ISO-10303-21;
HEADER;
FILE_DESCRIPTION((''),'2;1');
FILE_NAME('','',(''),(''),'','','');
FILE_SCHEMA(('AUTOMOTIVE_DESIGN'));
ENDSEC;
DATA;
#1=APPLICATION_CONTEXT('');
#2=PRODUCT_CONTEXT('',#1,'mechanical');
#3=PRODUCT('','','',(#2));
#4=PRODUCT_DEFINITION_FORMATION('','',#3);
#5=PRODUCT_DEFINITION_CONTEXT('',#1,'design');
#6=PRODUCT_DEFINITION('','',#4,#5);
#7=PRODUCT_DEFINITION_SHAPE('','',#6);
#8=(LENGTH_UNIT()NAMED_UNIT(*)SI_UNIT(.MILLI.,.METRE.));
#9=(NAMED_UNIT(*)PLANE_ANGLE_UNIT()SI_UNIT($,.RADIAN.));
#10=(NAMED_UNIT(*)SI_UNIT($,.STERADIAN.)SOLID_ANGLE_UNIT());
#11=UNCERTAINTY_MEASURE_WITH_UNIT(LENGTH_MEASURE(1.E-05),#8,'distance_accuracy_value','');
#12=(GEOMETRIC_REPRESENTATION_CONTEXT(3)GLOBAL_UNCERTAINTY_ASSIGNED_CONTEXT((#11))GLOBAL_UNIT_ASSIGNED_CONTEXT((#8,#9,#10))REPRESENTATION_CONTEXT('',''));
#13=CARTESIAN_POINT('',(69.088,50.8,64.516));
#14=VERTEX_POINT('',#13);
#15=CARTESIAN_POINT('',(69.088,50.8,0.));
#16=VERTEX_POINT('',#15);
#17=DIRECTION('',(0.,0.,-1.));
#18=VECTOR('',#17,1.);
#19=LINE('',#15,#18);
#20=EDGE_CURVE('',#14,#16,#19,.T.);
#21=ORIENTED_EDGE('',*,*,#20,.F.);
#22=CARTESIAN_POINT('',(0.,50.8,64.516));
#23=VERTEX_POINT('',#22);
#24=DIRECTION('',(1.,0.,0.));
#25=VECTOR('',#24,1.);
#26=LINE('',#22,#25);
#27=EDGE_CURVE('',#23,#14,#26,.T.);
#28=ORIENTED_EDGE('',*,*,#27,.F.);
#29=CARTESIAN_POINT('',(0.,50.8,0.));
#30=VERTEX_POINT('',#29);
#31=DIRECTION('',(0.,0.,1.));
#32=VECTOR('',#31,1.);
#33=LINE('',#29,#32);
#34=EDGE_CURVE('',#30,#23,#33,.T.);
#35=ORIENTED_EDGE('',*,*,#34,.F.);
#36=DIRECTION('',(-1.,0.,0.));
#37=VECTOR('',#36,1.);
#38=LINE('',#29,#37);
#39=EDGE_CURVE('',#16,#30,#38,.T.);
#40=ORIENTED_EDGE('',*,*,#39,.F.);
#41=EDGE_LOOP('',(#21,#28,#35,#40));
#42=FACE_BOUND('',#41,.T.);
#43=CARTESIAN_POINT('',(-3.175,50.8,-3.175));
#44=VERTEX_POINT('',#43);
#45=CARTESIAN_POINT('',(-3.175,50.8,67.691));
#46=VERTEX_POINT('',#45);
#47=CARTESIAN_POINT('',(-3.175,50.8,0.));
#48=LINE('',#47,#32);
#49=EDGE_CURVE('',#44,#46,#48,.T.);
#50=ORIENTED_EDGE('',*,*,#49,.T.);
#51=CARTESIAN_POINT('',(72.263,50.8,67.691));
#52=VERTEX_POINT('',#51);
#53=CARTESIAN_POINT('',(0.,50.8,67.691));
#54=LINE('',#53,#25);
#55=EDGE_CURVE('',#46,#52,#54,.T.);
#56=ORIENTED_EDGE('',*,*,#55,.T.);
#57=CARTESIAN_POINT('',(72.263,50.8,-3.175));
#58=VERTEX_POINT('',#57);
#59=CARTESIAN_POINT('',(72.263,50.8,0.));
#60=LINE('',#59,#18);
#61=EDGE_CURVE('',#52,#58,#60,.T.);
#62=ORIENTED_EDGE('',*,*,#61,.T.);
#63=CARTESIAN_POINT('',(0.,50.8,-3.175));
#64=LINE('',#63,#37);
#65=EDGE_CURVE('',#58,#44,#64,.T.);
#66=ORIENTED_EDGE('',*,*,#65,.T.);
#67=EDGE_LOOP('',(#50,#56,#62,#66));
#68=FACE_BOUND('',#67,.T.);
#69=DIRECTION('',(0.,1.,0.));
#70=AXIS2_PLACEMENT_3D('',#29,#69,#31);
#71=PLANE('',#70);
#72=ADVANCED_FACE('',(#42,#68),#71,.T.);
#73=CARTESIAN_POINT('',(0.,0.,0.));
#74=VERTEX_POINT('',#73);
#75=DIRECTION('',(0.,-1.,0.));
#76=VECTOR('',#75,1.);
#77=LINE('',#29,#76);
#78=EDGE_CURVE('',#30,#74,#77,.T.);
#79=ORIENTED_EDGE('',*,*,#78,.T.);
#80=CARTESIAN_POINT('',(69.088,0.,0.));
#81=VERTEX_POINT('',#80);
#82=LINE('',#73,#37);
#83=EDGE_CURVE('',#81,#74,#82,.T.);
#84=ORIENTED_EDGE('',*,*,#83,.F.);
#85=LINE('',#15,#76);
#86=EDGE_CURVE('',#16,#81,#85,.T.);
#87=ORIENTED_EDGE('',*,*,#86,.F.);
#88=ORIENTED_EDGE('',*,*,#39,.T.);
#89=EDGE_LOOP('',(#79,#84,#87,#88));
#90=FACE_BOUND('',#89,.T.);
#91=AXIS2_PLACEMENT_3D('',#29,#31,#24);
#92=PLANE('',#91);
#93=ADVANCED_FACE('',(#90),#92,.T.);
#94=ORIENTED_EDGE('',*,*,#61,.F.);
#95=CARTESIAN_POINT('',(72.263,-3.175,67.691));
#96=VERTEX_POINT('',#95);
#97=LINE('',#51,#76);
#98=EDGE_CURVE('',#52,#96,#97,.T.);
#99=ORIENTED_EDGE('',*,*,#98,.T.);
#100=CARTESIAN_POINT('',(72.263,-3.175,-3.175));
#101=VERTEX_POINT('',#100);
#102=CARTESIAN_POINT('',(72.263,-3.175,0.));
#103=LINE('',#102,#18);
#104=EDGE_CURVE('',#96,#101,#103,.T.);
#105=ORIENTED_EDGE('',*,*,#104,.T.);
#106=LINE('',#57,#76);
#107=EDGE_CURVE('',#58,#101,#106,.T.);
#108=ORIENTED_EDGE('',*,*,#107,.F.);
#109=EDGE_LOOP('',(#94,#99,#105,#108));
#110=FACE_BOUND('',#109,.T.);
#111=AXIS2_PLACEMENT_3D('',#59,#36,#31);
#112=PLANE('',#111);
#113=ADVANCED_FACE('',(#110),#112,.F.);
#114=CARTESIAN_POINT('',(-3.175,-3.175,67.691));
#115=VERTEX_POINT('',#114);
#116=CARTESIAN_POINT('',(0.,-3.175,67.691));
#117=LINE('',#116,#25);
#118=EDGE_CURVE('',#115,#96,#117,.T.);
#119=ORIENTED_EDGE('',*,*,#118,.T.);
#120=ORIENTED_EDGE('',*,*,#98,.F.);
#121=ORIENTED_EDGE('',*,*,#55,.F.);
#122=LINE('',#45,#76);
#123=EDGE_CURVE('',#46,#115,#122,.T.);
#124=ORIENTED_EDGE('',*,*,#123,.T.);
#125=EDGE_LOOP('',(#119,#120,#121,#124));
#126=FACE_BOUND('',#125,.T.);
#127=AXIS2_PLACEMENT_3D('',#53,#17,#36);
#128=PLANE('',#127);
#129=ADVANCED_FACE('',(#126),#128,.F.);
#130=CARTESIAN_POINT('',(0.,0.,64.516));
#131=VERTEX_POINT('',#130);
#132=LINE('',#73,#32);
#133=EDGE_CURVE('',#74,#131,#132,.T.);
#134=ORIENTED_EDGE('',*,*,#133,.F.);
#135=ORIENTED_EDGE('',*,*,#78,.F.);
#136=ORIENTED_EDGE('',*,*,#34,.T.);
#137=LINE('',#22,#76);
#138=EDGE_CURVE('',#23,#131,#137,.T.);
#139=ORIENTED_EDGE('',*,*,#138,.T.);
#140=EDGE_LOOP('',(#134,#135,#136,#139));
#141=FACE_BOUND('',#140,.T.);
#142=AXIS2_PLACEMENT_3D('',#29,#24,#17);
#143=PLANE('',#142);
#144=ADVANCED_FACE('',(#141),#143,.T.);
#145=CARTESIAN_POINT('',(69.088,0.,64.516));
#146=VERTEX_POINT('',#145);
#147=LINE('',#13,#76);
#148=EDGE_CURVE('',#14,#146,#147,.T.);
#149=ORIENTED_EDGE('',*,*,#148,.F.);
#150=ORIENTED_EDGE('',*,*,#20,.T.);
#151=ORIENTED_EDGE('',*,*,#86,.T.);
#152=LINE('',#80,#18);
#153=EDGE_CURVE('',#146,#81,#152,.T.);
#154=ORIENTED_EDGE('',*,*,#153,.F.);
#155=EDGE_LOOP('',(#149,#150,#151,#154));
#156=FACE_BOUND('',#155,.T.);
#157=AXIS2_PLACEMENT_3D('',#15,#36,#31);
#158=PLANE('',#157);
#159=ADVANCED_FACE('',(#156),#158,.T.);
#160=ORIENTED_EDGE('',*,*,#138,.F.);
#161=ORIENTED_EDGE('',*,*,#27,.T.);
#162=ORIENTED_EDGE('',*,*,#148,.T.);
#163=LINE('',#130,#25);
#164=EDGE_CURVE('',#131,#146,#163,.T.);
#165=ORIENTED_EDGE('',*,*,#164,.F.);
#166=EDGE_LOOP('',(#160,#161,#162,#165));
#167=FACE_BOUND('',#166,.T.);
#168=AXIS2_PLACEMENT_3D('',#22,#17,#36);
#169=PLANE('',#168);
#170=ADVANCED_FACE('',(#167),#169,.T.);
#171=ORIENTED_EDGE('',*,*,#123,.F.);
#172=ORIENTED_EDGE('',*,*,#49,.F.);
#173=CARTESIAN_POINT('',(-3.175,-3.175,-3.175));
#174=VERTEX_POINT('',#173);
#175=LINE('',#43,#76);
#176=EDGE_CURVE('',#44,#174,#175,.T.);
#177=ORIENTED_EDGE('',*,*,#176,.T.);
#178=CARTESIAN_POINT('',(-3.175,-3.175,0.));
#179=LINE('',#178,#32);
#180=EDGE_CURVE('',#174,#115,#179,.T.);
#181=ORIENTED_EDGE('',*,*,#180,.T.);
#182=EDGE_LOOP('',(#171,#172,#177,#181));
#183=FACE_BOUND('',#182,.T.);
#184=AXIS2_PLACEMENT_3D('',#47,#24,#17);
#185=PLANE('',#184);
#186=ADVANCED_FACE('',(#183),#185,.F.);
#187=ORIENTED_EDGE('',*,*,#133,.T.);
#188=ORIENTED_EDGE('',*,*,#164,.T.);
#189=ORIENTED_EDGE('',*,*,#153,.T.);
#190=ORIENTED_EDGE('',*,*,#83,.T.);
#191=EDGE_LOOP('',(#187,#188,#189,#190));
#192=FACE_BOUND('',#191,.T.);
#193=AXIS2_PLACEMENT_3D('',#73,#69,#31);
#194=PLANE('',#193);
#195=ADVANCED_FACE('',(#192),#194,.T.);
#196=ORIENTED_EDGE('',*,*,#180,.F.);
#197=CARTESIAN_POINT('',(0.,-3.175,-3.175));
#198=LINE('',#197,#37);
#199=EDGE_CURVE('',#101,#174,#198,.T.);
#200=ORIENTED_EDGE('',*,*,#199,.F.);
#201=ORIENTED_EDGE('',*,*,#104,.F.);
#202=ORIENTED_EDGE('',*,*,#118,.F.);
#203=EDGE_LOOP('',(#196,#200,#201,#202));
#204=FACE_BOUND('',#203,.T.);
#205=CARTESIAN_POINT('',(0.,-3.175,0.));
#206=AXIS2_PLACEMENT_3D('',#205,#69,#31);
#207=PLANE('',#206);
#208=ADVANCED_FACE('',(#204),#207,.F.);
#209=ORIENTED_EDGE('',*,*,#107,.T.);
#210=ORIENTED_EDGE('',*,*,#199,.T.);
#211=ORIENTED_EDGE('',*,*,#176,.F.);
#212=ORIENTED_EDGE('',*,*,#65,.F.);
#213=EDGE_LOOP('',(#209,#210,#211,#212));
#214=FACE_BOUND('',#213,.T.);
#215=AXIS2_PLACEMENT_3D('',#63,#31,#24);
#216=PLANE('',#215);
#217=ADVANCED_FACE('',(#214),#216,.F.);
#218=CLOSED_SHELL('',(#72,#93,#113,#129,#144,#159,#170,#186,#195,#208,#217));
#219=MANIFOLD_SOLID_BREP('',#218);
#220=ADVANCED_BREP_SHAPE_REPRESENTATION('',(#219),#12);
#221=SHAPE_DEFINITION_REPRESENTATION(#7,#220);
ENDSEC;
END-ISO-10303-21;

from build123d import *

# Parameters (mm, degrees)
SKETCH1_W           = 69.088
SKETCH1_H           = 64.516
BOSS_EXTRUDE1_DEPTH = 50.8
SHELL1_T            = 3.175


with BuildPart() as part:
    # Sketch1 → Boss-Extrude1 (new body)
    with BuildSketch(Plane(origin=(0, 0, 0), x_dir=(1, 0, 0), z_dir=(0, 1, 0))):
        with Locations((34.544, -32.258)):
            Rectangle(SKETCH1_W, SKETCH1_H)
    extrude(amount=BOSS_EXTRUDE1_DEPTH)

    # Shell1
    shell1_openings = [part.faces().sort_by_distance(p)[0] for p in [
        (34.544, 50.8, 32.258),
    ]]
    offset(amount=SHELL1_T, openings=shell1_openings, kind=Kind.INTERSECTION)


solid = part.part
